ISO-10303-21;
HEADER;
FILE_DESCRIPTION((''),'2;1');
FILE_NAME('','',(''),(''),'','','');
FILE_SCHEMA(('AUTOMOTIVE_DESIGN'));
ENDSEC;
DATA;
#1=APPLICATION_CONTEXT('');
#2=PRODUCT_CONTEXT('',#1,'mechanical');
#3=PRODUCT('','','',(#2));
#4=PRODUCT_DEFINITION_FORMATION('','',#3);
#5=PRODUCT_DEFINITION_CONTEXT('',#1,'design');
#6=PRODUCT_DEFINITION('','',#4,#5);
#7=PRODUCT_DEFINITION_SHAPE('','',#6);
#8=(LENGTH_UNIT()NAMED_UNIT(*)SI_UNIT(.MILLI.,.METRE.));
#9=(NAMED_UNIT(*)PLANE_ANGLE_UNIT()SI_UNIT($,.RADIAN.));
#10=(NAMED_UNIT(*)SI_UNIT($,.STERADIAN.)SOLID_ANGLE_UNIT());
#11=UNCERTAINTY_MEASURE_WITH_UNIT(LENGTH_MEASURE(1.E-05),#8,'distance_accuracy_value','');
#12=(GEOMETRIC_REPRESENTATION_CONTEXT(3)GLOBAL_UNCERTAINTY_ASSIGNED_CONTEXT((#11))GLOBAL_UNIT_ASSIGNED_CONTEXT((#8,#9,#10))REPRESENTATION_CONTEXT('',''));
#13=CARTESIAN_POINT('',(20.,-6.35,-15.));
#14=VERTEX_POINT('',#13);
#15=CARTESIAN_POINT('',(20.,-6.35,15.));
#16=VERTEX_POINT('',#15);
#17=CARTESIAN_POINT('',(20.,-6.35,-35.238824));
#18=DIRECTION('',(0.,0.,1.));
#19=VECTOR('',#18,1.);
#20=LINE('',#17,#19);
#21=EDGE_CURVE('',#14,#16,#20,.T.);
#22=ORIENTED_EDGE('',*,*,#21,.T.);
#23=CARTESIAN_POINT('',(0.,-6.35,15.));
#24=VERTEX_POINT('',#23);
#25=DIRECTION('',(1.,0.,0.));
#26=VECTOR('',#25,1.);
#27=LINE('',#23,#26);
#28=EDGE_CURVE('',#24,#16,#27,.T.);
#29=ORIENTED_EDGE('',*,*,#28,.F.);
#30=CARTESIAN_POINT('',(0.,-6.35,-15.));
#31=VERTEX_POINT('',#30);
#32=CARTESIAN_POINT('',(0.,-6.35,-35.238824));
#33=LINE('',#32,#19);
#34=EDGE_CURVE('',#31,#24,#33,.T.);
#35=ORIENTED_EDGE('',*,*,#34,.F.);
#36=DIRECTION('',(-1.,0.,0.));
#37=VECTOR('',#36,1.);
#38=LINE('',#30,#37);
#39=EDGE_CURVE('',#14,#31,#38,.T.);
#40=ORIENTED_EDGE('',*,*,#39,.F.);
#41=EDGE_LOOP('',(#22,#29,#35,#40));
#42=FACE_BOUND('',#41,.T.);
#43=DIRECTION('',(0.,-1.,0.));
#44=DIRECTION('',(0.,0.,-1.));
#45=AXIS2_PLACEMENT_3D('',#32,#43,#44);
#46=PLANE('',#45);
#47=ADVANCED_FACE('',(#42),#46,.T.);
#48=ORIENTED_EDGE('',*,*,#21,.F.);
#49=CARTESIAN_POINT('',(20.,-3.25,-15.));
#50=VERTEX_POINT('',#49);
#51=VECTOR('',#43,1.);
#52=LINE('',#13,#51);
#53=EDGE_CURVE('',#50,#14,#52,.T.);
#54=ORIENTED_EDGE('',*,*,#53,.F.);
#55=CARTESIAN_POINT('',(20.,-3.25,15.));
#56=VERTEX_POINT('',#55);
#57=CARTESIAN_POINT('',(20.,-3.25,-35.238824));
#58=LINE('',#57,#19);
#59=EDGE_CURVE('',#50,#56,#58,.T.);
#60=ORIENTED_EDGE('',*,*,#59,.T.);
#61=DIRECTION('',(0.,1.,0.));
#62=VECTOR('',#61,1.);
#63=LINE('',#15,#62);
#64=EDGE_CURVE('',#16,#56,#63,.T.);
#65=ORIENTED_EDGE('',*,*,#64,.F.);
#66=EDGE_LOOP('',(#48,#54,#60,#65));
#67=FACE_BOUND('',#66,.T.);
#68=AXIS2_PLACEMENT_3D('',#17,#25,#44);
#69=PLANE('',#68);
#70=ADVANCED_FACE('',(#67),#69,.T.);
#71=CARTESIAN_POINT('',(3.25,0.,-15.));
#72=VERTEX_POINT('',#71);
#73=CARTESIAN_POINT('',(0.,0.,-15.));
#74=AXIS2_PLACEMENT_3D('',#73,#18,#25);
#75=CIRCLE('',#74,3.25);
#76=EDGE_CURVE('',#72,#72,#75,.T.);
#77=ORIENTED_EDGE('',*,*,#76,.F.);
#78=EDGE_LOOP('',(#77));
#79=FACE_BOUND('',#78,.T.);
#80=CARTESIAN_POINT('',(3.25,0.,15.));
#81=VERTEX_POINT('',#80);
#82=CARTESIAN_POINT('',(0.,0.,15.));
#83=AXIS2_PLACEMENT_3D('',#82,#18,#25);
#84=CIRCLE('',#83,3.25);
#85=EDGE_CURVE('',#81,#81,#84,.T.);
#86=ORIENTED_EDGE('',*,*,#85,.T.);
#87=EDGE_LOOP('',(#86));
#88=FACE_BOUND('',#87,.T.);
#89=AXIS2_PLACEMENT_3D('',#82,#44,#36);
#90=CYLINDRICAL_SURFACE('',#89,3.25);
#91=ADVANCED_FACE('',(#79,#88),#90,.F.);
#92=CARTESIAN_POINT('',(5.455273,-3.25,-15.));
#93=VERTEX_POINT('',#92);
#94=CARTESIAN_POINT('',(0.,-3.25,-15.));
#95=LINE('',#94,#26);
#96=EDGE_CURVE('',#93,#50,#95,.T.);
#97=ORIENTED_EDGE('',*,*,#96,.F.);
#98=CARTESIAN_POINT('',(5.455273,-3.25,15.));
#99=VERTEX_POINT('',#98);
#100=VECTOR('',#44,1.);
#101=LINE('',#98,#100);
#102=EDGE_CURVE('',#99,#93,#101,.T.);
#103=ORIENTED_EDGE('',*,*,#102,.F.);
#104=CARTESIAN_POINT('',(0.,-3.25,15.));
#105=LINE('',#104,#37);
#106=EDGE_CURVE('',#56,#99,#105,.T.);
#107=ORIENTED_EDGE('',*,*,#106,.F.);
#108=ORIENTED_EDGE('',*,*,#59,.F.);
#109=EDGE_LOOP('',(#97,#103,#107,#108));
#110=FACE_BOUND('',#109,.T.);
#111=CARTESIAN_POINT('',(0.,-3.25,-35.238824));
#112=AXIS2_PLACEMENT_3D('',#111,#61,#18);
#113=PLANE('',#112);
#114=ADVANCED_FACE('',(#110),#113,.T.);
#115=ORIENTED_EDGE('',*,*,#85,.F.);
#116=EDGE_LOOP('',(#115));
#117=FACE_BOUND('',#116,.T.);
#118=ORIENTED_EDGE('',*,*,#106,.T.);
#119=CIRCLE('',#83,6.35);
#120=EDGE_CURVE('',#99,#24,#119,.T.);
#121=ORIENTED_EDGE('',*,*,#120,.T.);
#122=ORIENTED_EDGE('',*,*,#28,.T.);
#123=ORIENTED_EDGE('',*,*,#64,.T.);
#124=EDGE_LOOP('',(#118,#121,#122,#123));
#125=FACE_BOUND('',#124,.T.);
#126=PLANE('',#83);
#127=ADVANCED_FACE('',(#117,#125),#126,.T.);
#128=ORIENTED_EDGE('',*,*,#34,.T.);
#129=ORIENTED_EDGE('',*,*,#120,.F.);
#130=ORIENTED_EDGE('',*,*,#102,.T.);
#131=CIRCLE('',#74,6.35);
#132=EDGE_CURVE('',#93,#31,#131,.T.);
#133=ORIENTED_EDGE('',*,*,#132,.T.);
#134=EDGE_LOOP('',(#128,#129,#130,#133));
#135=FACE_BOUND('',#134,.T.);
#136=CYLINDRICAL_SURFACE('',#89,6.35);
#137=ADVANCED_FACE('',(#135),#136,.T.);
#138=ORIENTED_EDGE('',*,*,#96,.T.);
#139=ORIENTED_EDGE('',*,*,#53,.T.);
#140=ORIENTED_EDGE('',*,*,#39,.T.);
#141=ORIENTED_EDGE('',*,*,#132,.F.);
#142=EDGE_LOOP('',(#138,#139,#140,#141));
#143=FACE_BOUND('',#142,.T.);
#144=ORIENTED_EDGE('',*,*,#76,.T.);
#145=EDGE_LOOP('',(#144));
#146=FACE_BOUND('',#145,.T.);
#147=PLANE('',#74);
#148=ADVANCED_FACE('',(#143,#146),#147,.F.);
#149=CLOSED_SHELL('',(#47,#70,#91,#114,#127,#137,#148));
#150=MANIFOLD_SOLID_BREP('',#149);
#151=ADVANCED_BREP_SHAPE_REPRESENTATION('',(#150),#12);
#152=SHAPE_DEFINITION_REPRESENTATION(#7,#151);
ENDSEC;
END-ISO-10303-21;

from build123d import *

# Parameters (mm, degrees)
ESBO_O1_R                = 6.35
ESBO_O1_R_2              = 3.25
RESSALTO_EXTRUS_O1_DEPTH = 15
ESBO_O2_W                = 20
ESBO_O2_H                = 3.1
RESSALTO_EXTRUS_O2_DEPTH = 30


with BuildPart() as part:
    # Esboço1 → Ressalto-extrusão1 (new, symmetric)
    with BuildSketch(Plane.XY):
        Circle(ESBO_O1_R)
        Circle(ESBO_O1_R_2, mode=Mode.SUBTRACT)
    extrude(amount=RESSALTO_EXTRUS_O1_DEPTH, both=True)

    # Esboço2 → Ressalto-extrusão2 (add)
    with BuildSketch(Plane.XY.offset(15)):
        with Locations((10, -4.8)):
            Rectangle(ESBO_O2_W, ESBO_O2_H)
    extrude(amount=-RESSALTO_EXTRUS_O2_DEPTH)


solid = part.part
